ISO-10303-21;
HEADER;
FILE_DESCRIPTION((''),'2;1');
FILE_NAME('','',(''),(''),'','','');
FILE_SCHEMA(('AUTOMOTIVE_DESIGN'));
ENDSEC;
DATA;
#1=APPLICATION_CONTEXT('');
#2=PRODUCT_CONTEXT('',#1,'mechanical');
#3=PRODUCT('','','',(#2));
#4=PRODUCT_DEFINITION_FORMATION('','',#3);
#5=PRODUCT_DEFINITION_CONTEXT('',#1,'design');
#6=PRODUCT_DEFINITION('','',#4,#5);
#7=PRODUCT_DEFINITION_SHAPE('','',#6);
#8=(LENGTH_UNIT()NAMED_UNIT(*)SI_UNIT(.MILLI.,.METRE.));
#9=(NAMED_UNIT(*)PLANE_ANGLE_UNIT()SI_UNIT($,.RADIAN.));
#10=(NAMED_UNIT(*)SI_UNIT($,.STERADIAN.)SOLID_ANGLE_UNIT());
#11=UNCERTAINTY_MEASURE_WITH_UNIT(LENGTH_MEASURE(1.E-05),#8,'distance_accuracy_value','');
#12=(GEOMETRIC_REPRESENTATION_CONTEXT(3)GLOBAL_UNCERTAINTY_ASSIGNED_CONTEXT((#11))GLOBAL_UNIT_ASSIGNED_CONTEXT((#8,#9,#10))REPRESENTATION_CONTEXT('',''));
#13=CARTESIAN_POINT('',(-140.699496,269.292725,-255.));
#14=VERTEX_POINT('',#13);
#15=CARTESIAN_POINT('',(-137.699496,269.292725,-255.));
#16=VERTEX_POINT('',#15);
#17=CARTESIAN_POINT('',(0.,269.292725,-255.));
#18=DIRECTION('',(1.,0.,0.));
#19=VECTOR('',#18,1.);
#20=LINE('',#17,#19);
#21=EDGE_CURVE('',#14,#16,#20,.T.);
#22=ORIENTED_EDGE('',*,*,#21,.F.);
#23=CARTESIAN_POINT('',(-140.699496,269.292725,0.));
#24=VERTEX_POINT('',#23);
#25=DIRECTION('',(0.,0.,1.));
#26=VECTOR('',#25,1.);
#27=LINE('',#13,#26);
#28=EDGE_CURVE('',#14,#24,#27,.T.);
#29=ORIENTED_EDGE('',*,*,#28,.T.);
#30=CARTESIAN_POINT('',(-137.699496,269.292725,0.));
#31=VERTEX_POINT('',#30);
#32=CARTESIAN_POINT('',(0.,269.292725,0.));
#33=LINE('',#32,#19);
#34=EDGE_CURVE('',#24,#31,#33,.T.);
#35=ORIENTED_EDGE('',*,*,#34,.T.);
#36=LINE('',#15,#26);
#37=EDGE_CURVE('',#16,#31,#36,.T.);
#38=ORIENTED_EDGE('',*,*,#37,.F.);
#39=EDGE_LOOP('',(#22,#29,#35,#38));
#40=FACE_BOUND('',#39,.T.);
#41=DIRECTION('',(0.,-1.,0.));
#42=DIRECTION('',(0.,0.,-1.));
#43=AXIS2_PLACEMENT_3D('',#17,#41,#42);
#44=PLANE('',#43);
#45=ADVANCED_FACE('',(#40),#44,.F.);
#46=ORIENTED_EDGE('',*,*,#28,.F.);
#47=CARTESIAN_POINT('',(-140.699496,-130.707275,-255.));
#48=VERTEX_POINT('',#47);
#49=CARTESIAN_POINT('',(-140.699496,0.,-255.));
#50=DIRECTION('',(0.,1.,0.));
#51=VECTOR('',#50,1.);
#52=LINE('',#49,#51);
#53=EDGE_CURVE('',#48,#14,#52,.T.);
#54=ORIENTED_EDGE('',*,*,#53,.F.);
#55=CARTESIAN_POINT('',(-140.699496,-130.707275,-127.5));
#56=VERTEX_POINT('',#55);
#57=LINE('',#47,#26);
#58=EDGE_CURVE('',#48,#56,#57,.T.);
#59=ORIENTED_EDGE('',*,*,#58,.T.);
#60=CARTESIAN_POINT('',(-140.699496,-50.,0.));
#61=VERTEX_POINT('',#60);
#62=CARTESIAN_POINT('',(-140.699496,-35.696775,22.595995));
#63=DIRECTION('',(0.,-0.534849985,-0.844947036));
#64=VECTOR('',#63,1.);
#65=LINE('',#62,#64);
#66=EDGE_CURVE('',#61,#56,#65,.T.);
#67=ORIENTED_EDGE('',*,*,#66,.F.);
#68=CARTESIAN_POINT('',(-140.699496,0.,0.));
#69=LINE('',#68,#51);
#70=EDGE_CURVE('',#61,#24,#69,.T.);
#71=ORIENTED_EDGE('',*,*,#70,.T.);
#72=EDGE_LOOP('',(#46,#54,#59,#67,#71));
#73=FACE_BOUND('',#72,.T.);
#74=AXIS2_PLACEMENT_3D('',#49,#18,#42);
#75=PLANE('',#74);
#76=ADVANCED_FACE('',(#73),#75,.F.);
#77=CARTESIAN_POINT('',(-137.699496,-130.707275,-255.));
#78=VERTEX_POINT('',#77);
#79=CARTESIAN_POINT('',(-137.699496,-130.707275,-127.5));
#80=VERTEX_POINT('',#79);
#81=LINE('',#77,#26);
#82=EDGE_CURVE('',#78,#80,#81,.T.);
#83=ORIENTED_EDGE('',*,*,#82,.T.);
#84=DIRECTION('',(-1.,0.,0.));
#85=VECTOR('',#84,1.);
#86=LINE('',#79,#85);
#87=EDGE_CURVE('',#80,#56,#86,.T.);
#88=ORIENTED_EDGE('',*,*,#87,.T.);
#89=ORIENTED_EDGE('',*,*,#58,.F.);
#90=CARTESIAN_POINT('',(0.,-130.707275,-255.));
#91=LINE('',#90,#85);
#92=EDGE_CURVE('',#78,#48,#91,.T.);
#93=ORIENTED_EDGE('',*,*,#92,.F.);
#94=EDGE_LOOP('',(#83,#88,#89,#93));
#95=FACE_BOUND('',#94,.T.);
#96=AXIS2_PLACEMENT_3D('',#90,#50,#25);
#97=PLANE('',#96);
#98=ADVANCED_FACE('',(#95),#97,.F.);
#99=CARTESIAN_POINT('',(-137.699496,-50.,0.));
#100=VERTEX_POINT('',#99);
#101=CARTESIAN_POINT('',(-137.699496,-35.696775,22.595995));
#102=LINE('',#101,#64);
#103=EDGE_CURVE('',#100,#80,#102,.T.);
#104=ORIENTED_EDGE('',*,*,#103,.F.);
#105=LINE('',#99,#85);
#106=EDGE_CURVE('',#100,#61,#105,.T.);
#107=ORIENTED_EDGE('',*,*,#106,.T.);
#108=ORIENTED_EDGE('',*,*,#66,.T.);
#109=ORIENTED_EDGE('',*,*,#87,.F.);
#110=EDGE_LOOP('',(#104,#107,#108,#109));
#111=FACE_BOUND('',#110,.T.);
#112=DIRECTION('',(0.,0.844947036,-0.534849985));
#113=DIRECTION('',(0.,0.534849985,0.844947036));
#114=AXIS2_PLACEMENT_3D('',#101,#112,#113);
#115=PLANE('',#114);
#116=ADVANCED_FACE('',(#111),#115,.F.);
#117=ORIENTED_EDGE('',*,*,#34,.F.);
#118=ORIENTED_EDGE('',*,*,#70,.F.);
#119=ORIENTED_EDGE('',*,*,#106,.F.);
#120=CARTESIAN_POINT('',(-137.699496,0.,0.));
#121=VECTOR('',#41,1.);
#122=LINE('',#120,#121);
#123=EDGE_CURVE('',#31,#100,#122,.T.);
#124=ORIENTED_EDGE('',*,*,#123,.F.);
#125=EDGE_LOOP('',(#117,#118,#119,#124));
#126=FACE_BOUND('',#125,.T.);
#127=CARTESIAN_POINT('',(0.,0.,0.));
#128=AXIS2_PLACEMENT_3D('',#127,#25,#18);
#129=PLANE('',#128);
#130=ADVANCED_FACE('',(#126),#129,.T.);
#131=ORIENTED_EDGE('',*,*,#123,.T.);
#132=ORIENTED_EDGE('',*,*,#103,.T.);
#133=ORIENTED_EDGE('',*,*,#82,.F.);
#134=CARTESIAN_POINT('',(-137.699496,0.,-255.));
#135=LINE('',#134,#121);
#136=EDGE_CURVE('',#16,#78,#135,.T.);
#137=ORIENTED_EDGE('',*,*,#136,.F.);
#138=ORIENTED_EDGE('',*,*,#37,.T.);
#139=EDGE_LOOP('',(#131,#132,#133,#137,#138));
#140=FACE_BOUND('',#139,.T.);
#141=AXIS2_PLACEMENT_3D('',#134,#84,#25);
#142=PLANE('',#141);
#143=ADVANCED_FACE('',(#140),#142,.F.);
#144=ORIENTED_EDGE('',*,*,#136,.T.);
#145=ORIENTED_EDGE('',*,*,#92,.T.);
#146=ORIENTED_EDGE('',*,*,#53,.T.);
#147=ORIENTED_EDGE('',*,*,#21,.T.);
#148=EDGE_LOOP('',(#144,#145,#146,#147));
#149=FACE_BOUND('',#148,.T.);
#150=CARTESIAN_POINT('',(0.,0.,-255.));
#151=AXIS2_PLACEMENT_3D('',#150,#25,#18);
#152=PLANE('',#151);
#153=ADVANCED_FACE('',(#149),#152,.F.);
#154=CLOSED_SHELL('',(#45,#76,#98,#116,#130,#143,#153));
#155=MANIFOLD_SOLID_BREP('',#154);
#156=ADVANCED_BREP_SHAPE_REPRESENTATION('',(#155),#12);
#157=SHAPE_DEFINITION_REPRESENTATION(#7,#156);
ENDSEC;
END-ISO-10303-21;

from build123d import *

# Parameters (mm, degrees)
SKETCH1_W           = 3
SKETCH1_H           = 400
BOSS_EXTRUDE1_DEPTH = 255
CUT_EXTRUDE1_DEPTH  = 371.88080499


with BuildPart() as part:
    # Sketch1 → Boss-Extrude1 (new body)
    with BuildSketch(Plane.XY):
        with Locations((-139.199495781, 69.292724577)):
            Rectangle(SKETCH1_W, SKETCH1_H)
    extrude(amount=-BOSS_EXTRUDE1_DEPTH)

    # Sketch2 → Cut-Extrude1 (cut, through all)
    with BuildSketch(Plane.ZY.offset(140.699495781)):
        Polygon((0, -130.707275423), (0, -50), (-127.5, -130.707275423), align=None)
    extrude(amount=-CUT_EXTRUDE1_DEPTH, mode=Mode.SUBTRACT)


solid = part.part
